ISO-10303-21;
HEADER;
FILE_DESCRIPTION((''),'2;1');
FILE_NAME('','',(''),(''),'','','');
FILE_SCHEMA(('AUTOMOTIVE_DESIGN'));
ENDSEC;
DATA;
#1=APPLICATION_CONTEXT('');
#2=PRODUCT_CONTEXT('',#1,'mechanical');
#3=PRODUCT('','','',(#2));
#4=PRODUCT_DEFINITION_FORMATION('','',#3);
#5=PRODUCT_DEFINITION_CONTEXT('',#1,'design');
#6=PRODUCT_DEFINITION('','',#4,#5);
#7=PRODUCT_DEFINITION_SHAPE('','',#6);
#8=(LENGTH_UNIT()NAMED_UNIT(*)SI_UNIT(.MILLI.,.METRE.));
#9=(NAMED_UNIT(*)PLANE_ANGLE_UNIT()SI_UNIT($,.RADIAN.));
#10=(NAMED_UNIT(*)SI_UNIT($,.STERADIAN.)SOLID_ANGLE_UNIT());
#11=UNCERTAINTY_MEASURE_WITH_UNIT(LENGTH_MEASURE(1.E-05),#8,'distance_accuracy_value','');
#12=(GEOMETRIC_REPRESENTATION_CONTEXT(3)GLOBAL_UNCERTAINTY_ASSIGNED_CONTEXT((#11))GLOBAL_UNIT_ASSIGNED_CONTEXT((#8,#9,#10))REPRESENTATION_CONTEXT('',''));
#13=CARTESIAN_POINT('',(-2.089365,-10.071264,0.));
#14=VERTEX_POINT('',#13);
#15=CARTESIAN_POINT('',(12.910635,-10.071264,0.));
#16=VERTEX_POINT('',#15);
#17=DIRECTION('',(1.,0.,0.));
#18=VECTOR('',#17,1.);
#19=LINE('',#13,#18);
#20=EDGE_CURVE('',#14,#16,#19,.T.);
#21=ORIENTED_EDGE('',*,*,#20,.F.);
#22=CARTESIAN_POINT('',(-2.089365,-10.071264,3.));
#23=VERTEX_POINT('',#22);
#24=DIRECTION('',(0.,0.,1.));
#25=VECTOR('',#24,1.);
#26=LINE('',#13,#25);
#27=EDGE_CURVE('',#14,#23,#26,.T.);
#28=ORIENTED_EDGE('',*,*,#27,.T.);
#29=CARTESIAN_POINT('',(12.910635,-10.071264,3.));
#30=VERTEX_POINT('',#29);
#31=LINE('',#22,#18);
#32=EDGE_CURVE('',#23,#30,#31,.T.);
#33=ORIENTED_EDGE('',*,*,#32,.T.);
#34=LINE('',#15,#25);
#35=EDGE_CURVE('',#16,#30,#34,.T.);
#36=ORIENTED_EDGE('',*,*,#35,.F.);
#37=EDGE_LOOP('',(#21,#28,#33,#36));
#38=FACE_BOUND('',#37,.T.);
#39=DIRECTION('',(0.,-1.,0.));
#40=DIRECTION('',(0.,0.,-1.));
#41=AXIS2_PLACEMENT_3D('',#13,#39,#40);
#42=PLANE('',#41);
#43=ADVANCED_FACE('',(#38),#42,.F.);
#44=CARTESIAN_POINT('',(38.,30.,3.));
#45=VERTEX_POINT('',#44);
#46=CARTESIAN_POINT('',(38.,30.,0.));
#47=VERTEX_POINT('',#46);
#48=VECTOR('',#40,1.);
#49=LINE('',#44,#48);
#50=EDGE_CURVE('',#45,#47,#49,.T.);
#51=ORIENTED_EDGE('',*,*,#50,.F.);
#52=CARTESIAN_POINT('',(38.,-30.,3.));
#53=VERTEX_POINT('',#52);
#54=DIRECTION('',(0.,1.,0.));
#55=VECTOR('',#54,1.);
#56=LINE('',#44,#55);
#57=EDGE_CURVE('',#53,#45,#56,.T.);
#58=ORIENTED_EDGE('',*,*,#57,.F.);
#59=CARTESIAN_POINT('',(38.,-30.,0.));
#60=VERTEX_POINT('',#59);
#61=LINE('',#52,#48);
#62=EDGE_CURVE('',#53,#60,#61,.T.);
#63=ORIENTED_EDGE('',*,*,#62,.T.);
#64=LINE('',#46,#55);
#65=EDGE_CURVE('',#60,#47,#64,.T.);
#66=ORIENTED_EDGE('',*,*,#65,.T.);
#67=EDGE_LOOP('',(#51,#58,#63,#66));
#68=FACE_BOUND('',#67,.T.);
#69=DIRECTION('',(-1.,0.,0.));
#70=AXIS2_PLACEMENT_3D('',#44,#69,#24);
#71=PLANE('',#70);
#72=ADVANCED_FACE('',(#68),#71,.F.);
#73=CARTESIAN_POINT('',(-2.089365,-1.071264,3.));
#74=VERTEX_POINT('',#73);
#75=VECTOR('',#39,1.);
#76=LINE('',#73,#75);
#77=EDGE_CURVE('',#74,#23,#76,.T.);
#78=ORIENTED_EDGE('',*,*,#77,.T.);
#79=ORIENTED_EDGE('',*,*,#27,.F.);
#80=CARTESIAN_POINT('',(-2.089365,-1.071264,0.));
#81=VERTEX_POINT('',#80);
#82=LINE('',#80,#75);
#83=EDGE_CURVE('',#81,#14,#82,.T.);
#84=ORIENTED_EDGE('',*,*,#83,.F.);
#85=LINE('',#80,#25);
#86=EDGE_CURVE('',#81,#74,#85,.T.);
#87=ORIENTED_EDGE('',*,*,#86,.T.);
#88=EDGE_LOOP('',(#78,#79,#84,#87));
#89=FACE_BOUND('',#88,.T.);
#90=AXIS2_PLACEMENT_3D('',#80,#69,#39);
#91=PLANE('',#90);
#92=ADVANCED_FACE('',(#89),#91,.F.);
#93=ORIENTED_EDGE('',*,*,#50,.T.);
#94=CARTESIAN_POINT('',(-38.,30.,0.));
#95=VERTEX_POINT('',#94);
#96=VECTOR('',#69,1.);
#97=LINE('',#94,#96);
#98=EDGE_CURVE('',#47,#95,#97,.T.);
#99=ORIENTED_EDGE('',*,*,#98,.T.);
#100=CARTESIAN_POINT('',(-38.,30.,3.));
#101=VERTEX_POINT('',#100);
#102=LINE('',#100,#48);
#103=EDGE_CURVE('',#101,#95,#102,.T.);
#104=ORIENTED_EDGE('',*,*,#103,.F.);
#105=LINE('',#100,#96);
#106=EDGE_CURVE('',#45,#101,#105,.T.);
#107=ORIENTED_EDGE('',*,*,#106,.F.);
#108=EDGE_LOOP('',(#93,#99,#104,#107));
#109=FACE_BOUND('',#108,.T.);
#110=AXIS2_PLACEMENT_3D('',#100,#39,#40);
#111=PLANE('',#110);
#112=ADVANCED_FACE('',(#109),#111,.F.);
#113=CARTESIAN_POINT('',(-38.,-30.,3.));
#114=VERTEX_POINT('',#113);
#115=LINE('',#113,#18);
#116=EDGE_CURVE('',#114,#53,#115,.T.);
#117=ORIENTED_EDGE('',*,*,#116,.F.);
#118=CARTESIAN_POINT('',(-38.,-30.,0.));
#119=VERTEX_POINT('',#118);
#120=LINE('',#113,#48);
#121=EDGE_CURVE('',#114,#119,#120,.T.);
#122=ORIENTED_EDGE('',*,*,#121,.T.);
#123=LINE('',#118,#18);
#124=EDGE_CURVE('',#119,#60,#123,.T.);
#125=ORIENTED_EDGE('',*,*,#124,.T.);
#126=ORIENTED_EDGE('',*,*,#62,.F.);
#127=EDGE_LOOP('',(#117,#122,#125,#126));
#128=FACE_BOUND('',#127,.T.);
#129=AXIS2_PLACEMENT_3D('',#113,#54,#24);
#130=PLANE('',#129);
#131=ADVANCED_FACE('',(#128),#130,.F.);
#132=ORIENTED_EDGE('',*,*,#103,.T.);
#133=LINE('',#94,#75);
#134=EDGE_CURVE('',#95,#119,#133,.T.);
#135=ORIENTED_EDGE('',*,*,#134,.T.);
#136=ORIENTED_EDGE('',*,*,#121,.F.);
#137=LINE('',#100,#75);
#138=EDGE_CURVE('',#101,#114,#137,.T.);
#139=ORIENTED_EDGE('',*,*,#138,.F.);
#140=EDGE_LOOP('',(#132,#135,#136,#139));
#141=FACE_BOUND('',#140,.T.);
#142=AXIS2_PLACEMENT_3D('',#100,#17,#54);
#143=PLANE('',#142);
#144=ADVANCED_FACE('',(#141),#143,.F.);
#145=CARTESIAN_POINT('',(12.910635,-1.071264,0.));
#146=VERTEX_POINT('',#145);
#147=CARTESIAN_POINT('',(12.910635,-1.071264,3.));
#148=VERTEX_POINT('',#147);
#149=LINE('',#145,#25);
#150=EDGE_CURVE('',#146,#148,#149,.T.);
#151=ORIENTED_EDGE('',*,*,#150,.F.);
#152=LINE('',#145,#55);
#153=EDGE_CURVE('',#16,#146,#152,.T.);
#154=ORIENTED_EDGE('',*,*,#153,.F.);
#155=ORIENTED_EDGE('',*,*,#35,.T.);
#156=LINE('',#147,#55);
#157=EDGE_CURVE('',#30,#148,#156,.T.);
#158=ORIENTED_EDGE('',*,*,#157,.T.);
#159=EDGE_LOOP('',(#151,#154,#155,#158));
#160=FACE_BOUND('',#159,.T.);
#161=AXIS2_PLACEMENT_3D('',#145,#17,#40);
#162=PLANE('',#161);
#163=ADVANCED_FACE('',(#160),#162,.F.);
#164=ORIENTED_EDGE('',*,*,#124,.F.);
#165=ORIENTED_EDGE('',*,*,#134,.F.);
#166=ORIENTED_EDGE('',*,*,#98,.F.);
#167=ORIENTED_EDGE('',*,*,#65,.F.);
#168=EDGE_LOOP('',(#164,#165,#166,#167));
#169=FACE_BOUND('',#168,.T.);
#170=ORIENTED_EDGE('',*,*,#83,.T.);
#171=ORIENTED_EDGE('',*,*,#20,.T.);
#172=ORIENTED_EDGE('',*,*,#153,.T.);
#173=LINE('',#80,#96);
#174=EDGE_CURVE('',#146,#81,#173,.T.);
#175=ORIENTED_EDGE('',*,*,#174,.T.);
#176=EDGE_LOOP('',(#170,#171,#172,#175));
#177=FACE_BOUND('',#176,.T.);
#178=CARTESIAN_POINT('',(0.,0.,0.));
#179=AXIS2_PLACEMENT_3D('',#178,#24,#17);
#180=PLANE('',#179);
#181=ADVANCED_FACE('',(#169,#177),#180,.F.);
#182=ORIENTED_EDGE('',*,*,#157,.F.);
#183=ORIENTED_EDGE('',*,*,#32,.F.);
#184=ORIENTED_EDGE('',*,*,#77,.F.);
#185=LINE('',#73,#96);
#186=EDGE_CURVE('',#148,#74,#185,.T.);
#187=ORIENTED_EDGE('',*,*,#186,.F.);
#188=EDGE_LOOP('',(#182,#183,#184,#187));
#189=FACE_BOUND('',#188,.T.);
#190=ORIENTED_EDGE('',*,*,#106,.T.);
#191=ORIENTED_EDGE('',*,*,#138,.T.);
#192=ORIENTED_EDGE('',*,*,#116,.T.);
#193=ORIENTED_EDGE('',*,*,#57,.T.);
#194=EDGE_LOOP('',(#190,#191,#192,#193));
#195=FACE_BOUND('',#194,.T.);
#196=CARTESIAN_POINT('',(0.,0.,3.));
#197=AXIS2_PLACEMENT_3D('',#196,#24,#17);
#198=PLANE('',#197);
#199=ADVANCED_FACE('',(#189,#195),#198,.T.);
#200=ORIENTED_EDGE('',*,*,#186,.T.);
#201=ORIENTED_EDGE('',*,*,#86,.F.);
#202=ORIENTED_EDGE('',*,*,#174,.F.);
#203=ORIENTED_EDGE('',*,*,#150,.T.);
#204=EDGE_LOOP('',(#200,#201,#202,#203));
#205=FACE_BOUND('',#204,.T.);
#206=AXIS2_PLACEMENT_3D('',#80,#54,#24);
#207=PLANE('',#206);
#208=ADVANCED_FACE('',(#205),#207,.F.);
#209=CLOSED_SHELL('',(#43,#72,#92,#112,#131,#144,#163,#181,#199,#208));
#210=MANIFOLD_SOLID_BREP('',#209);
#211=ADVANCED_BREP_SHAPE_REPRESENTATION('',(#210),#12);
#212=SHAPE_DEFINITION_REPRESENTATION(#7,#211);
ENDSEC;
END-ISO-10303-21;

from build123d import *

# Parameters (mm, degrees)
SKETCH1_W           = 76
SKETCH1_H           = 60
BOSS_EXTRUDE1_DEPTH = 3
SKETCH2_W           = 15
SKETCH2_H           = 9
CUT_EXTRUDE1_DEPTH  = 3


with BuildPart() as part:
    # Sketch1 → Boss-Extrude1 (new body)
    with BuildSketch(Plane.XY):
        Rectangle(SKETCH1_W, SKETCH1_H)
    extrude(amount=BOSS_EXTRUDE1_DEPTH)

    # Sketch2 → Cut-Extrude1 (cut)
    with BuildSketch(Plane.XY.offset(3)):
        with Locations((5.410634621, -5.571264483)):
            Rectangle(SKETCH2_W, SKETCH2_H)
    extrude(amount=-CUT_EXTRUDE1_DEPTH, mode=Mode.SUBTRACT)


solid = part.part
